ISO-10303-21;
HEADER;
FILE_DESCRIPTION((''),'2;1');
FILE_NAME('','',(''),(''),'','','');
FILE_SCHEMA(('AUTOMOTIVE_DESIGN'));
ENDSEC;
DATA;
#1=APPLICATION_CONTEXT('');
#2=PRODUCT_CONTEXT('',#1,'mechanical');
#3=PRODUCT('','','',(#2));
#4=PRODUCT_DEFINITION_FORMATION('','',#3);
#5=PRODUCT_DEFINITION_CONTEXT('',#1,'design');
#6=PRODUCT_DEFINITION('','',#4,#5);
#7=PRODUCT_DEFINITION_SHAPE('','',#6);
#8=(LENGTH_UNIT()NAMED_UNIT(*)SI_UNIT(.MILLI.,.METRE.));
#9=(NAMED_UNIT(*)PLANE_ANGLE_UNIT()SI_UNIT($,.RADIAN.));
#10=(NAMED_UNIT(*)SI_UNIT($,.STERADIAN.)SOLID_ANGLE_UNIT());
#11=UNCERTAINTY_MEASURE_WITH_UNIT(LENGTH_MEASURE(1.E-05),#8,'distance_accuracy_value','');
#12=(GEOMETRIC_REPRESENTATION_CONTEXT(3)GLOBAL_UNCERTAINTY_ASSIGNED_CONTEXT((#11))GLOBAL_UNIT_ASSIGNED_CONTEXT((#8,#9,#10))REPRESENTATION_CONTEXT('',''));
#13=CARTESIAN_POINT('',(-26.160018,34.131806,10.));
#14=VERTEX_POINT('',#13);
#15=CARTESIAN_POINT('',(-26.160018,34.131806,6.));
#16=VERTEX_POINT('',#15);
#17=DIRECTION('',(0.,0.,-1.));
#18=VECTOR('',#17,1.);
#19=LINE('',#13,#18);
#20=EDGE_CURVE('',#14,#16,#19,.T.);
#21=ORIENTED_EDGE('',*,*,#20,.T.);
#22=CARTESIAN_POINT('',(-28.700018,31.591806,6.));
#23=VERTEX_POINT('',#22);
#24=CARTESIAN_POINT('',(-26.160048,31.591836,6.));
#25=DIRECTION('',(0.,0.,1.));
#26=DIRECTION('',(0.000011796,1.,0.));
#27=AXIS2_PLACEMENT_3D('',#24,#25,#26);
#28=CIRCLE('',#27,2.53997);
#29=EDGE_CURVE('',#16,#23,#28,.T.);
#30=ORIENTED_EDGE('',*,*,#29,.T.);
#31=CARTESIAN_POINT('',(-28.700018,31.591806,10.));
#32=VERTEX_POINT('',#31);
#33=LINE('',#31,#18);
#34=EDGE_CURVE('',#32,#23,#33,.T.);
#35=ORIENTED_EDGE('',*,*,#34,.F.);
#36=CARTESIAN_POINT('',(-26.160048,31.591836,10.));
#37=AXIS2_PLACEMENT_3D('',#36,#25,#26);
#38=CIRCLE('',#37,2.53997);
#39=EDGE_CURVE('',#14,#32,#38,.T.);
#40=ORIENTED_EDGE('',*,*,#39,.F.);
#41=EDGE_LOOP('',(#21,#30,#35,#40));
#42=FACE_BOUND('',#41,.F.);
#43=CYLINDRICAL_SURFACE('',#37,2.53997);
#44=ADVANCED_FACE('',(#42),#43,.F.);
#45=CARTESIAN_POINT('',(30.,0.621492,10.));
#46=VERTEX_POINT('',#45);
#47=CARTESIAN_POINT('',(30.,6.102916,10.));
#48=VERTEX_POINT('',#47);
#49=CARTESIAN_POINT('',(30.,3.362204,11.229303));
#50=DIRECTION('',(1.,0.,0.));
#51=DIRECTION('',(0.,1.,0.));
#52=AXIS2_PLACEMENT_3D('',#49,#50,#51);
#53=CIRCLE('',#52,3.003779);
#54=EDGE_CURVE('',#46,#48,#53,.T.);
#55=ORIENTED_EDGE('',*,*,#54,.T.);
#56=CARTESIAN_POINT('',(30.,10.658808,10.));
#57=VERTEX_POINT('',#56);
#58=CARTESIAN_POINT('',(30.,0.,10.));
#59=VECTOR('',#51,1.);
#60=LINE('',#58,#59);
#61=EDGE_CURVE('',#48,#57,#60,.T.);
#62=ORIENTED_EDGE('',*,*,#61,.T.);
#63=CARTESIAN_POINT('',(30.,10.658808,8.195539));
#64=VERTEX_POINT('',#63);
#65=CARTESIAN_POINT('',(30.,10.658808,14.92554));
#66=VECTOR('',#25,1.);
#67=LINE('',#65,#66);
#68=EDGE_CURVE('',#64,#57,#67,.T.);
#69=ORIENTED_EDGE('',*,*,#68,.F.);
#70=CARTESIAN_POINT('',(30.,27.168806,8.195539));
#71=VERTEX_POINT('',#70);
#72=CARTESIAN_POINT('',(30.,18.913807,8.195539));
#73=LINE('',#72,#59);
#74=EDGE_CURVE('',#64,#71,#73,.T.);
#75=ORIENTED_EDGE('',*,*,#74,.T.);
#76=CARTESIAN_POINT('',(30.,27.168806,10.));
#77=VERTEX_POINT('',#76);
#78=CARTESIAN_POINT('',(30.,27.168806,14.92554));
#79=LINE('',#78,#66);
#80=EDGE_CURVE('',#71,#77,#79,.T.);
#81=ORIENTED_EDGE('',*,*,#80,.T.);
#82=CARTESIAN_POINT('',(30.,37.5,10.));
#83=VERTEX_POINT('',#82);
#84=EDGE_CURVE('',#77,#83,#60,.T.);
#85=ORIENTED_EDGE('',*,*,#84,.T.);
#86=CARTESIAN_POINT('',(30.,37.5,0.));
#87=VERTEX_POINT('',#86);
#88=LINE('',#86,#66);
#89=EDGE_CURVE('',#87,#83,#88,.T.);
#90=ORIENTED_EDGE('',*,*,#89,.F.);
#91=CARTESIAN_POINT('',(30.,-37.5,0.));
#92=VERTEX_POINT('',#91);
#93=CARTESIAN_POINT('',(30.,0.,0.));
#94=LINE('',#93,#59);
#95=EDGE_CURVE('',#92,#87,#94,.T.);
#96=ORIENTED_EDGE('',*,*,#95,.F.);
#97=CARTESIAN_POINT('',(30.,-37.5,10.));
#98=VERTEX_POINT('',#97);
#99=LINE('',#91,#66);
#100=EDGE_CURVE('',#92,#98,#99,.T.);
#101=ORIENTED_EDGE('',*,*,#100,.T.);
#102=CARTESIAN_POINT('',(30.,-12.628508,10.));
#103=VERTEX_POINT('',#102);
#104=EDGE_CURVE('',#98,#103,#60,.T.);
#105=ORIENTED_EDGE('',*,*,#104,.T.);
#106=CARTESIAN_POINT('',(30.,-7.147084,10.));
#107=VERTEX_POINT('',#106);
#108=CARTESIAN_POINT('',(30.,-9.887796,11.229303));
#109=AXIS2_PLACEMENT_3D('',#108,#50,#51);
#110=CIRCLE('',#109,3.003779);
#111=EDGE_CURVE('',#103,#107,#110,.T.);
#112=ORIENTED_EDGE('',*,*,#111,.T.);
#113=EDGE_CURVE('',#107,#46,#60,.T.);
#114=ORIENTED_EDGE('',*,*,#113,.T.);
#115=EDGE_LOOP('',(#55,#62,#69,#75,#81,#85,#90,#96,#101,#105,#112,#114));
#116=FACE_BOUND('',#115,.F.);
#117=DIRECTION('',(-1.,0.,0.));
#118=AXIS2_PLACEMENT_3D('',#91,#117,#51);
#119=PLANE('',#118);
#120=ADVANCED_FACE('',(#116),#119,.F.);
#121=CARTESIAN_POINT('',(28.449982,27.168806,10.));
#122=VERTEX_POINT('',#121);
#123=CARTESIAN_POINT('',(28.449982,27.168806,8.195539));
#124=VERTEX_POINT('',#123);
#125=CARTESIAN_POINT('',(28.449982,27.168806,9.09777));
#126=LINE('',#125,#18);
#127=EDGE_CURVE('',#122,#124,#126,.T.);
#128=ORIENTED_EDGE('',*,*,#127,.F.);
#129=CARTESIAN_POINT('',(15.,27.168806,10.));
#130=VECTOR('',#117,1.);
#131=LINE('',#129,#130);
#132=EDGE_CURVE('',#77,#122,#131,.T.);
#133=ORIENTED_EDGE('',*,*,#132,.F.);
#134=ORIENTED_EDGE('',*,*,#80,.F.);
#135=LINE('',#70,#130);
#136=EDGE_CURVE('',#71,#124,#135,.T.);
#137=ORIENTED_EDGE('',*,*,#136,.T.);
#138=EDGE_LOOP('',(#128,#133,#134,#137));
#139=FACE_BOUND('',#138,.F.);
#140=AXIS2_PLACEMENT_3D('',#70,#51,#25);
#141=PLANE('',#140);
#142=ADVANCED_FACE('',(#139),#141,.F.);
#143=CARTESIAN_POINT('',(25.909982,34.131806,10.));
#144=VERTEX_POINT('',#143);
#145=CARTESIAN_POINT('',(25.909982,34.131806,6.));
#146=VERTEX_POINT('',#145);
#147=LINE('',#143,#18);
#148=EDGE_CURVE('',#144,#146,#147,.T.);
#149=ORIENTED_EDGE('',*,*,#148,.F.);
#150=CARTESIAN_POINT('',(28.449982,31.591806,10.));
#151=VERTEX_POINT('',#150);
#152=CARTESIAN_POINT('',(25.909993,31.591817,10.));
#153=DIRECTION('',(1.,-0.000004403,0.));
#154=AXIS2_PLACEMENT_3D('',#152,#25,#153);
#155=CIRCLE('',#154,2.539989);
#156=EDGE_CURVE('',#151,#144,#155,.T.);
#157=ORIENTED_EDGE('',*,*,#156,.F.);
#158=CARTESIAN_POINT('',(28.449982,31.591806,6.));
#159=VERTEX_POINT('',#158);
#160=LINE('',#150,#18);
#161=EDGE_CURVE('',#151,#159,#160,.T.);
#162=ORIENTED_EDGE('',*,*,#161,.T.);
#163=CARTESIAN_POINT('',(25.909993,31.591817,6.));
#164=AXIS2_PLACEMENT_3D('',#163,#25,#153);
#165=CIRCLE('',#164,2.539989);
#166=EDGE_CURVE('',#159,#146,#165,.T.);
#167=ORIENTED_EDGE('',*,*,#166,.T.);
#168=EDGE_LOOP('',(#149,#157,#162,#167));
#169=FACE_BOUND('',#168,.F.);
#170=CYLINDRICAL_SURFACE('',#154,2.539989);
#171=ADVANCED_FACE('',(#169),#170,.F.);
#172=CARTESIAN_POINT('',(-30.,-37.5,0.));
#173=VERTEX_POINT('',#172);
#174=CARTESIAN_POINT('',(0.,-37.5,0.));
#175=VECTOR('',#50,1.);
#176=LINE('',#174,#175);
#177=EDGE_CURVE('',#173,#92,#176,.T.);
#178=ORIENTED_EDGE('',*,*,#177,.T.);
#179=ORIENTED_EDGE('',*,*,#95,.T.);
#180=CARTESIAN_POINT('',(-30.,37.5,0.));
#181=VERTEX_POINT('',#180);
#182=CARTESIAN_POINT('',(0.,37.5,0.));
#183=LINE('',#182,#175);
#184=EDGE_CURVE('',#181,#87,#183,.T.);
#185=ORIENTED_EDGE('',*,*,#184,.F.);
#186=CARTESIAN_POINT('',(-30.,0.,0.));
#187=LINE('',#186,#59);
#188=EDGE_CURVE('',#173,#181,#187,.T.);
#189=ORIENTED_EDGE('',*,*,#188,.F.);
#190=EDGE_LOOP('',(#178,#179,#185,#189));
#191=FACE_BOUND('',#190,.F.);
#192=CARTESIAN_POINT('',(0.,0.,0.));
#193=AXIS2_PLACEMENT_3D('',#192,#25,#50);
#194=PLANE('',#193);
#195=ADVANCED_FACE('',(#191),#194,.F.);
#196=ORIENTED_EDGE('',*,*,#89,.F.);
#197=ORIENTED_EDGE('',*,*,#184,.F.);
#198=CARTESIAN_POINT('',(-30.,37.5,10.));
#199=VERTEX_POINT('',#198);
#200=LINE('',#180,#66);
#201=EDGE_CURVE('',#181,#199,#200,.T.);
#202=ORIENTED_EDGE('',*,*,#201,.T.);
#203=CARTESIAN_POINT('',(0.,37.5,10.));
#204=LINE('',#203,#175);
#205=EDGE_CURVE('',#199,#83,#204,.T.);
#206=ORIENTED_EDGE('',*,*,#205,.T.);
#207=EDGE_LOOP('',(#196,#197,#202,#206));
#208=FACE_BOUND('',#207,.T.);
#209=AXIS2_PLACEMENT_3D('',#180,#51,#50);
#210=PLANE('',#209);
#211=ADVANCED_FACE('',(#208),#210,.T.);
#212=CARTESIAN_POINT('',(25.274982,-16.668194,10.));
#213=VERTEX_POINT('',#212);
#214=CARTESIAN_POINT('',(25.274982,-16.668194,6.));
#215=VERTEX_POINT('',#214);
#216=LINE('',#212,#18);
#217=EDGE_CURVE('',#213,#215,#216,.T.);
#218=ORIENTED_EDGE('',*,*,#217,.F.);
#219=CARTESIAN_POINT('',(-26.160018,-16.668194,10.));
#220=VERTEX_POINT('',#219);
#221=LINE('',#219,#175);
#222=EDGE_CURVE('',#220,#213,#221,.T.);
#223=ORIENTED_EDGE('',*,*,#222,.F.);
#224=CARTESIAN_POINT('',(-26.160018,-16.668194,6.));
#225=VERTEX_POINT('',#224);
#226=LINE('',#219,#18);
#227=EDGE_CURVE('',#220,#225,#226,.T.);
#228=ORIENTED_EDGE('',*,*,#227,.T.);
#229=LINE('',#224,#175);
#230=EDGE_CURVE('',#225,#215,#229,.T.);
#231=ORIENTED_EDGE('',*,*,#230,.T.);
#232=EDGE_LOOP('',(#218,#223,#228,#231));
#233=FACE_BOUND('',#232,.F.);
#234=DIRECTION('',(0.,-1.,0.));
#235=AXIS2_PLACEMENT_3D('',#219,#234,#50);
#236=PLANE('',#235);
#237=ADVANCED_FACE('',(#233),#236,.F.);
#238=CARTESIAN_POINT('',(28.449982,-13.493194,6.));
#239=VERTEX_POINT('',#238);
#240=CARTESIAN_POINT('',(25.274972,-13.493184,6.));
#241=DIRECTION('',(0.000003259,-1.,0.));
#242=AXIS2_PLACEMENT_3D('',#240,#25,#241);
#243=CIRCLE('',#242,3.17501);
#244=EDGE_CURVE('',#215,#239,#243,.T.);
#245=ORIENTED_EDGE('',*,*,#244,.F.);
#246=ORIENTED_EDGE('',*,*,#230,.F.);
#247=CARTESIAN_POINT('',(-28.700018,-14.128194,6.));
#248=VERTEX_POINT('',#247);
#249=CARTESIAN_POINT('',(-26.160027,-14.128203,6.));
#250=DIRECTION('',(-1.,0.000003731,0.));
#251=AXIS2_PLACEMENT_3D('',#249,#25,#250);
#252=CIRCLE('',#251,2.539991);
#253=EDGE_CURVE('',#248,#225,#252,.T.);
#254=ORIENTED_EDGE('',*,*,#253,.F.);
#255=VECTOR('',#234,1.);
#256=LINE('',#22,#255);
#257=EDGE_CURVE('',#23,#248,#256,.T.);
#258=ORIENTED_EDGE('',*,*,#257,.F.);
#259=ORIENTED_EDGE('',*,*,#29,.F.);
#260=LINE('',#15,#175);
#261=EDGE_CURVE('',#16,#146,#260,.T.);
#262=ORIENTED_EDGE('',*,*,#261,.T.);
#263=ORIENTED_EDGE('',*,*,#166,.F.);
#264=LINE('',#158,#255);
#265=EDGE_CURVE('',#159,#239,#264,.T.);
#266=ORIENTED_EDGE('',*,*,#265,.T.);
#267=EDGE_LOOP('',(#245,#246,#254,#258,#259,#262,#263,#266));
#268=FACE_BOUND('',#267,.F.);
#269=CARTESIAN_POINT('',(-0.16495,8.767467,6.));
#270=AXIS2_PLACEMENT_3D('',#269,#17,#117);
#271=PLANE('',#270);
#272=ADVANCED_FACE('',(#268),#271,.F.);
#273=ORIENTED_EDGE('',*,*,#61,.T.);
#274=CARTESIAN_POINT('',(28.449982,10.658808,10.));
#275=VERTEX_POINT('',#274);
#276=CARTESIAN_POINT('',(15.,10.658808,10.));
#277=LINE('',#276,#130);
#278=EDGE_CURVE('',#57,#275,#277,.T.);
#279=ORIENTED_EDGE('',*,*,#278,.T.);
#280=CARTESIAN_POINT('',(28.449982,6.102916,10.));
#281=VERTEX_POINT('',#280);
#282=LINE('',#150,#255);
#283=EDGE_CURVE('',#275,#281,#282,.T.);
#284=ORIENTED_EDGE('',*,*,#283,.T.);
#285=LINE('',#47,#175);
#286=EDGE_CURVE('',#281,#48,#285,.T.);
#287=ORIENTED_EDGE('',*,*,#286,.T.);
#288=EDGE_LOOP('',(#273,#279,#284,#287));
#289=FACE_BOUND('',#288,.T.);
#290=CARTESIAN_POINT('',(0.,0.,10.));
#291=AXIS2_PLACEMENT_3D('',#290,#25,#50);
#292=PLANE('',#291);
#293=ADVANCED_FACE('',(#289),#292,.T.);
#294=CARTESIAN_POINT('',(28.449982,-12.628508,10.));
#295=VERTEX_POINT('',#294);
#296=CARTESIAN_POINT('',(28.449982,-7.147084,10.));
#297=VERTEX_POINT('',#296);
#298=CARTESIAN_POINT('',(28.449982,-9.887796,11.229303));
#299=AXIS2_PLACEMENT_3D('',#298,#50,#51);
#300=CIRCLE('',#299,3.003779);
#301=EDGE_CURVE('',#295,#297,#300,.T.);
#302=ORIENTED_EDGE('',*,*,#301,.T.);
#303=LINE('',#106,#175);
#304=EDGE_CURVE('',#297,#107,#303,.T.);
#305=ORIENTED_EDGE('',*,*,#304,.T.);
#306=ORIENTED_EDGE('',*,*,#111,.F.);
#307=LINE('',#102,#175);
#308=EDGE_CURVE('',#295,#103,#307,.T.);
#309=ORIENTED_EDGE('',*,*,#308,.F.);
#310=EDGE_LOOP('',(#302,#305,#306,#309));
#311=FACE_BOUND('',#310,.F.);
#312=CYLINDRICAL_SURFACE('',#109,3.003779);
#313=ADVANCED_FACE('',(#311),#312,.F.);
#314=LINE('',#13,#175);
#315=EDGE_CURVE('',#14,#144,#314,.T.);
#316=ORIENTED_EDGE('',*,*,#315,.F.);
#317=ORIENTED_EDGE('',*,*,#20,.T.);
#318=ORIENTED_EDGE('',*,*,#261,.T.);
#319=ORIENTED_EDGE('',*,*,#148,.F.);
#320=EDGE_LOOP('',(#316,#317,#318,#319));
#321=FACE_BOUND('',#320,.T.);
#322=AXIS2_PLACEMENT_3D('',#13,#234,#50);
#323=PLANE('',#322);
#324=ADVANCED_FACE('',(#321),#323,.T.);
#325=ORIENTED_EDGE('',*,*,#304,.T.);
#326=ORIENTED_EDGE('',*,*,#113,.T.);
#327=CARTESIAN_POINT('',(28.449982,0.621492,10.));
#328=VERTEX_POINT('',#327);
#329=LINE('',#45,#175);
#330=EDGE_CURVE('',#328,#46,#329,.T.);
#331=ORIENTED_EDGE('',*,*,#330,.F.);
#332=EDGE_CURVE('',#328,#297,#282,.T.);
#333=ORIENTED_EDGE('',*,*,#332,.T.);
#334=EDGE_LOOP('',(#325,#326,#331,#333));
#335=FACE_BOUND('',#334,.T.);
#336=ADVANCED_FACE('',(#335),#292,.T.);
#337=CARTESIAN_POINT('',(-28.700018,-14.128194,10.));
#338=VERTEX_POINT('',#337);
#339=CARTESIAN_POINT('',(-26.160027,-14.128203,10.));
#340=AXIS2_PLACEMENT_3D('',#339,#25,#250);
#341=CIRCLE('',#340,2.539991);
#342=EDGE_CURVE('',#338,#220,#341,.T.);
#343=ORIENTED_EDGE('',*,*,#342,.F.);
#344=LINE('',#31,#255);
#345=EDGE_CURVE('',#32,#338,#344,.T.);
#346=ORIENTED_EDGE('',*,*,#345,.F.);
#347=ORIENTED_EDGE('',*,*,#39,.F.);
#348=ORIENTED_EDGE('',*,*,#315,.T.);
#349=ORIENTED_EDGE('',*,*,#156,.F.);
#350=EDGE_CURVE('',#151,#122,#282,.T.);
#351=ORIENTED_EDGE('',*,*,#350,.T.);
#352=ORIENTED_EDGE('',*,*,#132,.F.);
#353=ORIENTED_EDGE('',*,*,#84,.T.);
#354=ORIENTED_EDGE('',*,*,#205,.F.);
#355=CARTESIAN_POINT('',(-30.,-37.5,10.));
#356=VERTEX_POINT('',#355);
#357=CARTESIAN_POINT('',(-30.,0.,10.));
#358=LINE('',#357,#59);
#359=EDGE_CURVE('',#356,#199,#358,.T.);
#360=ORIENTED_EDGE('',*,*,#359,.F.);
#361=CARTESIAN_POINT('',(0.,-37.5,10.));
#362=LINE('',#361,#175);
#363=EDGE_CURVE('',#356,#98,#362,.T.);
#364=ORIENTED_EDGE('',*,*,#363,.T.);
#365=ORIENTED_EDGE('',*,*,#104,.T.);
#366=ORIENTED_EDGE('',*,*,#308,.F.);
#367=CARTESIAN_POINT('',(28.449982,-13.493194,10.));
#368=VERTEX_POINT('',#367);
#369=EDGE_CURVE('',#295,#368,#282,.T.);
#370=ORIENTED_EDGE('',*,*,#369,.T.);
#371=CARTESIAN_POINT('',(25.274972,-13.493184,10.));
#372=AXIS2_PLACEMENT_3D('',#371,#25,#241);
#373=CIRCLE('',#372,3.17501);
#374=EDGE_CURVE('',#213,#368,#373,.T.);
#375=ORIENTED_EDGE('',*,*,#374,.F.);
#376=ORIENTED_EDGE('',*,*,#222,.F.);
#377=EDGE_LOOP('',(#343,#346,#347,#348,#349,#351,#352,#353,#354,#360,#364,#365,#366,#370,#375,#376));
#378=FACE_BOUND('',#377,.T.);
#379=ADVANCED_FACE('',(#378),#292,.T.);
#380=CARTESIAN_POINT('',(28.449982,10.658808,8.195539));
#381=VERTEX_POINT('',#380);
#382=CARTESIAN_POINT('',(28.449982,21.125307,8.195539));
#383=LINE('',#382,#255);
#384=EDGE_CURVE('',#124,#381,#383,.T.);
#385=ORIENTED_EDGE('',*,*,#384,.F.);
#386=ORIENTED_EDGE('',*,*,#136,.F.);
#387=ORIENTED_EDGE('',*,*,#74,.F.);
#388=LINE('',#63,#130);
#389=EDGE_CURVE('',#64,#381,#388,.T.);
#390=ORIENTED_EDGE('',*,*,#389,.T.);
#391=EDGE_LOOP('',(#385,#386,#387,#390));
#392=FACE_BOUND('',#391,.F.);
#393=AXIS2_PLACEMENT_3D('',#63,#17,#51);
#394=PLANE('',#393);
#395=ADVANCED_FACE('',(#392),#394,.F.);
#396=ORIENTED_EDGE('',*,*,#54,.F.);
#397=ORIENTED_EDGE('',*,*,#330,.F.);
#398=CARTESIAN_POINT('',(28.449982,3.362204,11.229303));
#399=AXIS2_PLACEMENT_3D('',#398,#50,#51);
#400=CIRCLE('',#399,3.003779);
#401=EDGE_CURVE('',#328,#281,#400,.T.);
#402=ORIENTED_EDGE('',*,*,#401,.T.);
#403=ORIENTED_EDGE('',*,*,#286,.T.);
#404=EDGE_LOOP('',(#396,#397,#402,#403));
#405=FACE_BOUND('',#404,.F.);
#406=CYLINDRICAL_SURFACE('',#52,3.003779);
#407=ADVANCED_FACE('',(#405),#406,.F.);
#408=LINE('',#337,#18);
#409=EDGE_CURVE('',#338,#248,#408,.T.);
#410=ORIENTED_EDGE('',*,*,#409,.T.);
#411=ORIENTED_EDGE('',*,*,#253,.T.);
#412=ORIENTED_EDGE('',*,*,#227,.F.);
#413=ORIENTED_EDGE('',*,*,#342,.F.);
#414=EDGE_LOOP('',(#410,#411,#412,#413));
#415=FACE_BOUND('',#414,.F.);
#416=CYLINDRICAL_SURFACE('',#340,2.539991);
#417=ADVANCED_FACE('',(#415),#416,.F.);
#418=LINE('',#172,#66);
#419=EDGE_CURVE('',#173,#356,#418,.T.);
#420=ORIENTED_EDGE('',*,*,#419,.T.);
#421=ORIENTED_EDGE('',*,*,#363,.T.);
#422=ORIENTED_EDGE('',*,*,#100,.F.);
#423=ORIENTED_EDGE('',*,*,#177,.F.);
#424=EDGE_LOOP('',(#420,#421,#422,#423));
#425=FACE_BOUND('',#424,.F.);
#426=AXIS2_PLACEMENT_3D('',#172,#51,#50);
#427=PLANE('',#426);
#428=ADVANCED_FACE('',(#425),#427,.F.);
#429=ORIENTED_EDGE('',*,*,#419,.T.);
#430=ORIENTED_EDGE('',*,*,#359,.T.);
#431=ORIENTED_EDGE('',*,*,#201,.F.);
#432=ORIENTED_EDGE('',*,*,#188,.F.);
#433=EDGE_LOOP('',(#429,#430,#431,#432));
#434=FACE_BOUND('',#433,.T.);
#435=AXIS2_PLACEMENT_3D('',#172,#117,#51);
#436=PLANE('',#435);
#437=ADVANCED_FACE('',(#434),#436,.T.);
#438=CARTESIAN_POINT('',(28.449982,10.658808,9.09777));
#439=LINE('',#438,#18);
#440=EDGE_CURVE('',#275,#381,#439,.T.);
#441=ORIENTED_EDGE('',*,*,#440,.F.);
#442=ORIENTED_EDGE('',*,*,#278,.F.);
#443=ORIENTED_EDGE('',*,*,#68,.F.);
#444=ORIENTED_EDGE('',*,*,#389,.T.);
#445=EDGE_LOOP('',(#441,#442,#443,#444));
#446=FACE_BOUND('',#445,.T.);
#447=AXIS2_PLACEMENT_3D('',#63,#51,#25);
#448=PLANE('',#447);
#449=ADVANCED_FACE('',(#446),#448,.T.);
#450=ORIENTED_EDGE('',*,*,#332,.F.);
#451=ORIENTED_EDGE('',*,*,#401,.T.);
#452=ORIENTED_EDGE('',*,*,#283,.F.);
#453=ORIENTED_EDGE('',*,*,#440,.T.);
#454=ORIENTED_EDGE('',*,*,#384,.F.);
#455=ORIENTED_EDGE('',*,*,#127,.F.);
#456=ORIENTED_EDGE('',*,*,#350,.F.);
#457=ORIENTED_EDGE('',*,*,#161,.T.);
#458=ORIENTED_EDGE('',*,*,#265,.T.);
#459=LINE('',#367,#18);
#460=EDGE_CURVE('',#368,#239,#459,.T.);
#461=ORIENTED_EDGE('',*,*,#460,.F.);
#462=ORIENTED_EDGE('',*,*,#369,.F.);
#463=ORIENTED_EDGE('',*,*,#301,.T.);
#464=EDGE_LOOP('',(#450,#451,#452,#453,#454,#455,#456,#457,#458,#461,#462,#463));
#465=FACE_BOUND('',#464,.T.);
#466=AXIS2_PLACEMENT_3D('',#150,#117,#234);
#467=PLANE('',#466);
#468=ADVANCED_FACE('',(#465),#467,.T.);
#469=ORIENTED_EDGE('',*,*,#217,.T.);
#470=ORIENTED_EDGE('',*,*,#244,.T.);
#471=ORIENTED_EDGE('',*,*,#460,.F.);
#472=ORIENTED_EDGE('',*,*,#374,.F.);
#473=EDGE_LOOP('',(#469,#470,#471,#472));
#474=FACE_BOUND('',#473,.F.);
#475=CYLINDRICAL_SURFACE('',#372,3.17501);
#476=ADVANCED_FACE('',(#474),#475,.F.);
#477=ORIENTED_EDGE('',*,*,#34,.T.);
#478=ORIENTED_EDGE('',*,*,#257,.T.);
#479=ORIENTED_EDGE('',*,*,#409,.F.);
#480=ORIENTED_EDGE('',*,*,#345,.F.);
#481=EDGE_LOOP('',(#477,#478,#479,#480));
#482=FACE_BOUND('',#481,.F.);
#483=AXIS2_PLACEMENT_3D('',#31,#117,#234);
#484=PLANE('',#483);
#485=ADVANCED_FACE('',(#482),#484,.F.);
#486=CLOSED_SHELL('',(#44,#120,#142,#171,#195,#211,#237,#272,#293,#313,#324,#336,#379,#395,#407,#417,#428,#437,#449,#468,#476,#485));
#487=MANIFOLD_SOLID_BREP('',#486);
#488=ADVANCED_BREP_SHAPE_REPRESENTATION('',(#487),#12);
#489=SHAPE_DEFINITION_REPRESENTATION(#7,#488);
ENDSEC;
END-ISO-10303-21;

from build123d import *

# Parameters (mm, degrees)
SKETCH_W        = 60
SKETCH_H        = 75
PAD_DEPTH       = 10
POCKET_DEPTH    = 4
SKETCH002_R     = 3.003779
SKETCH002_W     = 16.509998
SKETCH002_H     = 13.460002
POCKET001_DEPTH = 5


with BuildPart() as part:
    # Sketch → Pad (new body)
    with BuildSketch(Plane.XY):
        Rectangle(SKETCH_W, SKETCH_H)
    extrude(amount=PAD_DEPTH)

    # Sketch001 (on Face6 of Pad) → Pocket (cut)
    with BuildSketch(Plane.XY.offset(10)):
        with BuildLine():
            Line((-26.160018, 34.131806), (25.909982, 34.131806))
            ThreePointArc((28.449982, 31.591806), (27.706037, 33.38786), (25.909982, 34.131806))
            Line((28.449982, 31.591806), (28.449982, -13.493194))
            ThreePointArc((25.274982, -16.668194), (27.520043, -15.738255), (28.449982, -13.493194))
            Line((-26.160018, -16.668194), (25.274982, -16.668194))
            ThreePointArc((-28.700018, -14.128194), (-27.956072, -15.924248), (-26.160018, -16.668194))
            Line((-28.700018, 31.591806), (-28.700018, -14.128194))
            ThreePointArc((-26.160018, 34.131806), (-27.956078, 33.387866), (-28.700018, 31.591806))
        make_face()
    extrude(amount=-POCKET_DEPTH, mode=Mode.SUBTRACT)

    # Sketch002 (on Face3 of Pocket) → Pocket001 (cut)
    with BuildSketch(Plane.YZ.offset(30)):
        with Locations((3.362204, 11.229303)):
            Circle(SKETCH002_R)
        with Locations((-9.887796, 11.229303)):
            Circle(SKETCH002_R)
        with Locations((18.913807, 14.92554)):
            Rectangle(SKETCH002_W, SKETCH002_H)
    extrude(amount=-POCKET001_DEPTH, mode=Mode.SUBTRACT)


solid = part.part
